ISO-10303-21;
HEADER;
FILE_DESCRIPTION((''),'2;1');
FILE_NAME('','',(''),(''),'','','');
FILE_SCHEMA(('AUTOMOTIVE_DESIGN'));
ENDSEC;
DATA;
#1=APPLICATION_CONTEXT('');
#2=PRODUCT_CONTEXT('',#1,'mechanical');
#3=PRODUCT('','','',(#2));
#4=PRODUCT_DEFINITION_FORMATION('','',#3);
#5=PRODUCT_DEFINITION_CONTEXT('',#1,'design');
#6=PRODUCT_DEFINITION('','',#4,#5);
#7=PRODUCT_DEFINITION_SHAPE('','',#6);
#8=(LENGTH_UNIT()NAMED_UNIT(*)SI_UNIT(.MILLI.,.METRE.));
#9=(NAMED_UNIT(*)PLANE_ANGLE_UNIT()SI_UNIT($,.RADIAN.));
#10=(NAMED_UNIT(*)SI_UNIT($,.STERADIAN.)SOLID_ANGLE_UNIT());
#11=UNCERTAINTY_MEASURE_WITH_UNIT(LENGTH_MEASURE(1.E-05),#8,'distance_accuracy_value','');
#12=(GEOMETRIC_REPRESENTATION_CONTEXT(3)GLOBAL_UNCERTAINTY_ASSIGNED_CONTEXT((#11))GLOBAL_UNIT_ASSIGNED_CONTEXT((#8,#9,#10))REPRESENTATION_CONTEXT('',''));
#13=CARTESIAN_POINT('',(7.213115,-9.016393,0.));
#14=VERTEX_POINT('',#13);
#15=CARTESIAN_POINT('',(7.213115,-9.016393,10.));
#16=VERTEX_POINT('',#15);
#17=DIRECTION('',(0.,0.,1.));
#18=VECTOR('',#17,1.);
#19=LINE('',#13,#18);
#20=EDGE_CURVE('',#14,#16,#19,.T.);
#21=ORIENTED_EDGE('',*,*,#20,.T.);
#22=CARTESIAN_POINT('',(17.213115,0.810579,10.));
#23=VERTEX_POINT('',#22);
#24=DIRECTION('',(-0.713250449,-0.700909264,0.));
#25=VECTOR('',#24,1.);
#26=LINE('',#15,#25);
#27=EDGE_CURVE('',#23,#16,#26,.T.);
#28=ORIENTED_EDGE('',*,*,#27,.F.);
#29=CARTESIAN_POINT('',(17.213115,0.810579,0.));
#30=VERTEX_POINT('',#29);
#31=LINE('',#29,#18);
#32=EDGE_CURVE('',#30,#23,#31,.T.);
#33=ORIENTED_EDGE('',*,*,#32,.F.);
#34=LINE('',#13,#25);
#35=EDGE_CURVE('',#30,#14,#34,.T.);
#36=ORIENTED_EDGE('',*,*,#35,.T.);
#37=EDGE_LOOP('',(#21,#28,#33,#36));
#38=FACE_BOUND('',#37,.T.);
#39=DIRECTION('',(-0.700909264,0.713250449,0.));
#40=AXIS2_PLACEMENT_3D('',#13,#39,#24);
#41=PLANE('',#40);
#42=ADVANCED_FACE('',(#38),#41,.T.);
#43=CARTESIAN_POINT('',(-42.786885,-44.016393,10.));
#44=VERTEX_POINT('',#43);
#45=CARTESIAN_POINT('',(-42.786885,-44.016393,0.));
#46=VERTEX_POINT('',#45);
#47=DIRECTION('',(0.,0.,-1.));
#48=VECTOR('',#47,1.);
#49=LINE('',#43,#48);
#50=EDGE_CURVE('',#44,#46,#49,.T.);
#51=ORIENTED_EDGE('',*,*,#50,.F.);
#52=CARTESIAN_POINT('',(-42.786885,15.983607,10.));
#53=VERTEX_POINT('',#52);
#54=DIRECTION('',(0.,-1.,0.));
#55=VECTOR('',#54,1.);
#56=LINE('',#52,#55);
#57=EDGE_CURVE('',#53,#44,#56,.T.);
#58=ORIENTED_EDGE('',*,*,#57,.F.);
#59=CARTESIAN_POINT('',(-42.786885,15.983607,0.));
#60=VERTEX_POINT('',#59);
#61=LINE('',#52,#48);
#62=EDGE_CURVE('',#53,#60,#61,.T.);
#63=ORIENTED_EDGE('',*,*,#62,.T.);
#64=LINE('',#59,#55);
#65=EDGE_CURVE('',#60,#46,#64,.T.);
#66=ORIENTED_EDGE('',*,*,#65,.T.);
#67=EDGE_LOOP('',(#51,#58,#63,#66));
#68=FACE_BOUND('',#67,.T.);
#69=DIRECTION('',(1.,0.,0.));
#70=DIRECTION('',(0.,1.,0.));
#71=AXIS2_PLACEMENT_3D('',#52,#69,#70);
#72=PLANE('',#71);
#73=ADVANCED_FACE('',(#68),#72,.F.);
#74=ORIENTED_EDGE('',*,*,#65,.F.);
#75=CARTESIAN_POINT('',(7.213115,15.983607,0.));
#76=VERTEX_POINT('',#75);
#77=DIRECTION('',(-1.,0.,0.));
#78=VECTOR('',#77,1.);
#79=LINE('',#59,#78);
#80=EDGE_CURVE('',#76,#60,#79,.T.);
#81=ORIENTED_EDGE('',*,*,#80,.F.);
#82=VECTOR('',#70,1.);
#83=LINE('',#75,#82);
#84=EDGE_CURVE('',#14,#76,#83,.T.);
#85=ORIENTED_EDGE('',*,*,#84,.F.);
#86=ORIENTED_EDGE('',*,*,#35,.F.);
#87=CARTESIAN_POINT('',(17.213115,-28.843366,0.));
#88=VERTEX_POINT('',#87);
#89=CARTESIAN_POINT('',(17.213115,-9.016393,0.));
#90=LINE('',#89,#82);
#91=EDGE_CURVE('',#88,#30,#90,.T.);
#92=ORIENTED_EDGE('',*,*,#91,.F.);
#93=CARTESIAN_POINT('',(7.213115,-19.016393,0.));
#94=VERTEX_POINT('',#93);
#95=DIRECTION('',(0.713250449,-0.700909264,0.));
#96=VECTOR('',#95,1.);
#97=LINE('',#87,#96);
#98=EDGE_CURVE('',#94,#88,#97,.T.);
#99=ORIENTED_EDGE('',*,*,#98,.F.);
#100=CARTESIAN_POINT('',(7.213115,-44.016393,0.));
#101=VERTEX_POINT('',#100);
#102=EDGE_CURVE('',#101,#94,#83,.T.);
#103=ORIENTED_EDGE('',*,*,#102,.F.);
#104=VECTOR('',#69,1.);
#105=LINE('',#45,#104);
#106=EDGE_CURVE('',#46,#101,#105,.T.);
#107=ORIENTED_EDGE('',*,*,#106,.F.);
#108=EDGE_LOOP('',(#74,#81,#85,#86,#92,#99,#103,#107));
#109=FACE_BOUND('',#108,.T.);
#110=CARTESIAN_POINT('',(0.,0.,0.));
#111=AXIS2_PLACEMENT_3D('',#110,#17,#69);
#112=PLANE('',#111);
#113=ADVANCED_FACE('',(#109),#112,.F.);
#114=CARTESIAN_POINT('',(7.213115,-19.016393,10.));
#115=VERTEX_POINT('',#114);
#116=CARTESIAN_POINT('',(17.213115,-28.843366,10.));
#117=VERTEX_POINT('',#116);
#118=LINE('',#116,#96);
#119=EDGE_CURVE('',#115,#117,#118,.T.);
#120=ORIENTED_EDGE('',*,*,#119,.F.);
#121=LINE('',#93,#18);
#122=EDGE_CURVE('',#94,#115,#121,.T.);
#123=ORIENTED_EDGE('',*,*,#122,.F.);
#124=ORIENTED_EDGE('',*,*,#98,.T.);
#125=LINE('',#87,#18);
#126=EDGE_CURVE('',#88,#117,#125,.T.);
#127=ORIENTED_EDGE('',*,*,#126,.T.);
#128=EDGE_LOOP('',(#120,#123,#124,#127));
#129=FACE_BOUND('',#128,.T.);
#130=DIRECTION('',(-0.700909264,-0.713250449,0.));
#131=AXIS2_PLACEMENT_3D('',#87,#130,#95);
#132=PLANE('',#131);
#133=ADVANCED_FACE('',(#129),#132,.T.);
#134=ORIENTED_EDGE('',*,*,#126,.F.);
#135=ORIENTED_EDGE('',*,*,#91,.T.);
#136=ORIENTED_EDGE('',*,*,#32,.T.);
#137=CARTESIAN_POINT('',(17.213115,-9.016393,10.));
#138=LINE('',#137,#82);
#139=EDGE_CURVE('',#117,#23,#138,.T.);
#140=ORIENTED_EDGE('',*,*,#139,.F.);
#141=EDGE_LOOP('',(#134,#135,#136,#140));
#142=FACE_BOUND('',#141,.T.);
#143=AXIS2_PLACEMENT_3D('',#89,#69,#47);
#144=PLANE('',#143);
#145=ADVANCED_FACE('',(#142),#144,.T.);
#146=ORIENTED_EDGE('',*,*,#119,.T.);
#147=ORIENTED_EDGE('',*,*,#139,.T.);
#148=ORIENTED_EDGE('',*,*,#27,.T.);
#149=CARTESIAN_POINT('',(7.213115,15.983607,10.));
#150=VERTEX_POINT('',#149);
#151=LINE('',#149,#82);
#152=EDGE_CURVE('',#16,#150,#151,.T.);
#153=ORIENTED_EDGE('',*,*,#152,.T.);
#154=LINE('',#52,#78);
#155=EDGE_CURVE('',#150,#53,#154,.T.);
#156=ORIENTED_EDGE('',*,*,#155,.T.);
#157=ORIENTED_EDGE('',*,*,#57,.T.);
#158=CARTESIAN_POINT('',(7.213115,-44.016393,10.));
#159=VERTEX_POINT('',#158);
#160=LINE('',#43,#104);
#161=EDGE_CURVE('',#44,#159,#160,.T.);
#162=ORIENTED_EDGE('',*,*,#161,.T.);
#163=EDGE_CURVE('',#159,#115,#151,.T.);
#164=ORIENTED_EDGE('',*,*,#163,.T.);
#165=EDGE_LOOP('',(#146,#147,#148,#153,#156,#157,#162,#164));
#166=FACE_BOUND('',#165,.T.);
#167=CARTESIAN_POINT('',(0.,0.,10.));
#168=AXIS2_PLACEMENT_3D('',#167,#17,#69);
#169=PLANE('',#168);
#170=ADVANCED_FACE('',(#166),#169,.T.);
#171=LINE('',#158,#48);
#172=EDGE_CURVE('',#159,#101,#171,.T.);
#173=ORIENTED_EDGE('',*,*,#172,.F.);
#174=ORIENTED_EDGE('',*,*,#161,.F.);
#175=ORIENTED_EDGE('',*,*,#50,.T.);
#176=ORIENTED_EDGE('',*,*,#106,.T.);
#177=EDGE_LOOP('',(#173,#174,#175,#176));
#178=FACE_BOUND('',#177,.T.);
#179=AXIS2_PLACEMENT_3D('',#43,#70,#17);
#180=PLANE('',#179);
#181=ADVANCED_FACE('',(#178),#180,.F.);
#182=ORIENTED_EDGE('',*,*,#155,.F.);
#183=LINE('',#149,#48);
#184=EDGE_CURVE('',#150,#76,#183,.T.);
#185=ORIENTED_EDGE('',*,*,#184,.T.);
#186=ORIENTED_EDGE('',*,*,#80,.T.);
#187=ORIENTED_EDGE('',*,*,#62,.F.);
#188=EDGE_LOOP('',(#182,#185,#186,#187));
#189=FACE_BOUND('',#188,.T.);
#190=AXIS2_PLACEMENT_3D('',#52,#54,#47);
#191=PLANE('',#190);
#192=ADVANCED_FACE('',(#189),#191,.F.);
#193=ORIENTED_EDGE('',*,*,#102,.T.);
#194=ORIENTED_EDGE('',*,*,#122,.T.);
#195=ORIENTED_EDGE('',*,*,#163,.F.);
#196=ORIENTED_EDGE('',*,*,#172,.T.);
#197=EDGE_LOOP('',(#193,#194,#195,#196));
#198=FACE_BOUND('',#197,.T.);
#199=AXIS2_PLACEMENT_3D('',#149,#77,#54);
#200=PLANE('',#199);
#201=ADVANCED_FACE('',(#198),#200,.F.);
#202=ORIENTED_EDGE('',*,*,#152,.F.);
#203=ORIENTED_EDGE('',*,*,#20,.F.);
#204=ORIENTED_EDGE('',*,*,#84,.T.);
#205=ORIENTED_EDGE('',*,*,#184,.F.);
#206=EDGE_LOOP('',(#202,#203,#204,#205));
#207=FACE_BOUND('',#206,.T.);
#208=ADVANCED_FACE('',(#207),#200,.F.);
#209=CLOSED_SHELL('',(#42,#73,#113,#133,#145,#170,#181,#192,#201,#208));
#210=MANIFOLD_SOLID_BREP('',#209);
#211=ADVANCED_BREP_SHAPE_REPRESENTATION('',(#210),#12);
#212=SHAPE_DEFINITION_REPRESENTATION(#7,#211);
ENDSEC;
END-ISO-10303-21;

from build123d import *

# Parameters (mm, degrees)
SKETCH_2_W      = 50
SKETCH_2_H      = 60
EXTRUDE_1_DEPTH = 10
SKETCH_4_W      = 10
SKETCH_4_H      = 10
EXTRUDE_2_DEPTH = 10
EXTRUDE_3_DEPTH = 10


with BuildPart() as part:
    # 草图2 → 凸台-拉伸1 (new body)
    with BuildSketch(Plane.XY):
        with Locations((-17.786885246, -14.016393443)):
            Rectangle(SKETCH_2_W, SKETCH_2_H)
    extrude(amount=EXTRUDE_1_DEPTH)

    # 草图4 → 凸台-拉伸2 (add)
    with BuildSketch(Plane.XY.offset(10)):
        with Locations((12.213114754, -14.016393443)):
            Rectangle(SKETCH_4_W, SKETCH_4_H)
    extrude(amount=-EXTRUDE_2_DEPTH)

    # 草图5 → 凸台-拉伸3 (add)
    with BuildSketch(Plane.XY.offset(10)):
        Polygon((7.213114754, -9.016393443), (17.213114754, 0.810579189), (17.213114754, -9.016393443), align=None)
        Polygon((7.213114754, -19.016393443), (17.213114754, -19.016393443), (17.213114754, -28.843366074), align=None)
    extrude(amount=-EXTRUDE_3_DEPTH)


solid = part.part
